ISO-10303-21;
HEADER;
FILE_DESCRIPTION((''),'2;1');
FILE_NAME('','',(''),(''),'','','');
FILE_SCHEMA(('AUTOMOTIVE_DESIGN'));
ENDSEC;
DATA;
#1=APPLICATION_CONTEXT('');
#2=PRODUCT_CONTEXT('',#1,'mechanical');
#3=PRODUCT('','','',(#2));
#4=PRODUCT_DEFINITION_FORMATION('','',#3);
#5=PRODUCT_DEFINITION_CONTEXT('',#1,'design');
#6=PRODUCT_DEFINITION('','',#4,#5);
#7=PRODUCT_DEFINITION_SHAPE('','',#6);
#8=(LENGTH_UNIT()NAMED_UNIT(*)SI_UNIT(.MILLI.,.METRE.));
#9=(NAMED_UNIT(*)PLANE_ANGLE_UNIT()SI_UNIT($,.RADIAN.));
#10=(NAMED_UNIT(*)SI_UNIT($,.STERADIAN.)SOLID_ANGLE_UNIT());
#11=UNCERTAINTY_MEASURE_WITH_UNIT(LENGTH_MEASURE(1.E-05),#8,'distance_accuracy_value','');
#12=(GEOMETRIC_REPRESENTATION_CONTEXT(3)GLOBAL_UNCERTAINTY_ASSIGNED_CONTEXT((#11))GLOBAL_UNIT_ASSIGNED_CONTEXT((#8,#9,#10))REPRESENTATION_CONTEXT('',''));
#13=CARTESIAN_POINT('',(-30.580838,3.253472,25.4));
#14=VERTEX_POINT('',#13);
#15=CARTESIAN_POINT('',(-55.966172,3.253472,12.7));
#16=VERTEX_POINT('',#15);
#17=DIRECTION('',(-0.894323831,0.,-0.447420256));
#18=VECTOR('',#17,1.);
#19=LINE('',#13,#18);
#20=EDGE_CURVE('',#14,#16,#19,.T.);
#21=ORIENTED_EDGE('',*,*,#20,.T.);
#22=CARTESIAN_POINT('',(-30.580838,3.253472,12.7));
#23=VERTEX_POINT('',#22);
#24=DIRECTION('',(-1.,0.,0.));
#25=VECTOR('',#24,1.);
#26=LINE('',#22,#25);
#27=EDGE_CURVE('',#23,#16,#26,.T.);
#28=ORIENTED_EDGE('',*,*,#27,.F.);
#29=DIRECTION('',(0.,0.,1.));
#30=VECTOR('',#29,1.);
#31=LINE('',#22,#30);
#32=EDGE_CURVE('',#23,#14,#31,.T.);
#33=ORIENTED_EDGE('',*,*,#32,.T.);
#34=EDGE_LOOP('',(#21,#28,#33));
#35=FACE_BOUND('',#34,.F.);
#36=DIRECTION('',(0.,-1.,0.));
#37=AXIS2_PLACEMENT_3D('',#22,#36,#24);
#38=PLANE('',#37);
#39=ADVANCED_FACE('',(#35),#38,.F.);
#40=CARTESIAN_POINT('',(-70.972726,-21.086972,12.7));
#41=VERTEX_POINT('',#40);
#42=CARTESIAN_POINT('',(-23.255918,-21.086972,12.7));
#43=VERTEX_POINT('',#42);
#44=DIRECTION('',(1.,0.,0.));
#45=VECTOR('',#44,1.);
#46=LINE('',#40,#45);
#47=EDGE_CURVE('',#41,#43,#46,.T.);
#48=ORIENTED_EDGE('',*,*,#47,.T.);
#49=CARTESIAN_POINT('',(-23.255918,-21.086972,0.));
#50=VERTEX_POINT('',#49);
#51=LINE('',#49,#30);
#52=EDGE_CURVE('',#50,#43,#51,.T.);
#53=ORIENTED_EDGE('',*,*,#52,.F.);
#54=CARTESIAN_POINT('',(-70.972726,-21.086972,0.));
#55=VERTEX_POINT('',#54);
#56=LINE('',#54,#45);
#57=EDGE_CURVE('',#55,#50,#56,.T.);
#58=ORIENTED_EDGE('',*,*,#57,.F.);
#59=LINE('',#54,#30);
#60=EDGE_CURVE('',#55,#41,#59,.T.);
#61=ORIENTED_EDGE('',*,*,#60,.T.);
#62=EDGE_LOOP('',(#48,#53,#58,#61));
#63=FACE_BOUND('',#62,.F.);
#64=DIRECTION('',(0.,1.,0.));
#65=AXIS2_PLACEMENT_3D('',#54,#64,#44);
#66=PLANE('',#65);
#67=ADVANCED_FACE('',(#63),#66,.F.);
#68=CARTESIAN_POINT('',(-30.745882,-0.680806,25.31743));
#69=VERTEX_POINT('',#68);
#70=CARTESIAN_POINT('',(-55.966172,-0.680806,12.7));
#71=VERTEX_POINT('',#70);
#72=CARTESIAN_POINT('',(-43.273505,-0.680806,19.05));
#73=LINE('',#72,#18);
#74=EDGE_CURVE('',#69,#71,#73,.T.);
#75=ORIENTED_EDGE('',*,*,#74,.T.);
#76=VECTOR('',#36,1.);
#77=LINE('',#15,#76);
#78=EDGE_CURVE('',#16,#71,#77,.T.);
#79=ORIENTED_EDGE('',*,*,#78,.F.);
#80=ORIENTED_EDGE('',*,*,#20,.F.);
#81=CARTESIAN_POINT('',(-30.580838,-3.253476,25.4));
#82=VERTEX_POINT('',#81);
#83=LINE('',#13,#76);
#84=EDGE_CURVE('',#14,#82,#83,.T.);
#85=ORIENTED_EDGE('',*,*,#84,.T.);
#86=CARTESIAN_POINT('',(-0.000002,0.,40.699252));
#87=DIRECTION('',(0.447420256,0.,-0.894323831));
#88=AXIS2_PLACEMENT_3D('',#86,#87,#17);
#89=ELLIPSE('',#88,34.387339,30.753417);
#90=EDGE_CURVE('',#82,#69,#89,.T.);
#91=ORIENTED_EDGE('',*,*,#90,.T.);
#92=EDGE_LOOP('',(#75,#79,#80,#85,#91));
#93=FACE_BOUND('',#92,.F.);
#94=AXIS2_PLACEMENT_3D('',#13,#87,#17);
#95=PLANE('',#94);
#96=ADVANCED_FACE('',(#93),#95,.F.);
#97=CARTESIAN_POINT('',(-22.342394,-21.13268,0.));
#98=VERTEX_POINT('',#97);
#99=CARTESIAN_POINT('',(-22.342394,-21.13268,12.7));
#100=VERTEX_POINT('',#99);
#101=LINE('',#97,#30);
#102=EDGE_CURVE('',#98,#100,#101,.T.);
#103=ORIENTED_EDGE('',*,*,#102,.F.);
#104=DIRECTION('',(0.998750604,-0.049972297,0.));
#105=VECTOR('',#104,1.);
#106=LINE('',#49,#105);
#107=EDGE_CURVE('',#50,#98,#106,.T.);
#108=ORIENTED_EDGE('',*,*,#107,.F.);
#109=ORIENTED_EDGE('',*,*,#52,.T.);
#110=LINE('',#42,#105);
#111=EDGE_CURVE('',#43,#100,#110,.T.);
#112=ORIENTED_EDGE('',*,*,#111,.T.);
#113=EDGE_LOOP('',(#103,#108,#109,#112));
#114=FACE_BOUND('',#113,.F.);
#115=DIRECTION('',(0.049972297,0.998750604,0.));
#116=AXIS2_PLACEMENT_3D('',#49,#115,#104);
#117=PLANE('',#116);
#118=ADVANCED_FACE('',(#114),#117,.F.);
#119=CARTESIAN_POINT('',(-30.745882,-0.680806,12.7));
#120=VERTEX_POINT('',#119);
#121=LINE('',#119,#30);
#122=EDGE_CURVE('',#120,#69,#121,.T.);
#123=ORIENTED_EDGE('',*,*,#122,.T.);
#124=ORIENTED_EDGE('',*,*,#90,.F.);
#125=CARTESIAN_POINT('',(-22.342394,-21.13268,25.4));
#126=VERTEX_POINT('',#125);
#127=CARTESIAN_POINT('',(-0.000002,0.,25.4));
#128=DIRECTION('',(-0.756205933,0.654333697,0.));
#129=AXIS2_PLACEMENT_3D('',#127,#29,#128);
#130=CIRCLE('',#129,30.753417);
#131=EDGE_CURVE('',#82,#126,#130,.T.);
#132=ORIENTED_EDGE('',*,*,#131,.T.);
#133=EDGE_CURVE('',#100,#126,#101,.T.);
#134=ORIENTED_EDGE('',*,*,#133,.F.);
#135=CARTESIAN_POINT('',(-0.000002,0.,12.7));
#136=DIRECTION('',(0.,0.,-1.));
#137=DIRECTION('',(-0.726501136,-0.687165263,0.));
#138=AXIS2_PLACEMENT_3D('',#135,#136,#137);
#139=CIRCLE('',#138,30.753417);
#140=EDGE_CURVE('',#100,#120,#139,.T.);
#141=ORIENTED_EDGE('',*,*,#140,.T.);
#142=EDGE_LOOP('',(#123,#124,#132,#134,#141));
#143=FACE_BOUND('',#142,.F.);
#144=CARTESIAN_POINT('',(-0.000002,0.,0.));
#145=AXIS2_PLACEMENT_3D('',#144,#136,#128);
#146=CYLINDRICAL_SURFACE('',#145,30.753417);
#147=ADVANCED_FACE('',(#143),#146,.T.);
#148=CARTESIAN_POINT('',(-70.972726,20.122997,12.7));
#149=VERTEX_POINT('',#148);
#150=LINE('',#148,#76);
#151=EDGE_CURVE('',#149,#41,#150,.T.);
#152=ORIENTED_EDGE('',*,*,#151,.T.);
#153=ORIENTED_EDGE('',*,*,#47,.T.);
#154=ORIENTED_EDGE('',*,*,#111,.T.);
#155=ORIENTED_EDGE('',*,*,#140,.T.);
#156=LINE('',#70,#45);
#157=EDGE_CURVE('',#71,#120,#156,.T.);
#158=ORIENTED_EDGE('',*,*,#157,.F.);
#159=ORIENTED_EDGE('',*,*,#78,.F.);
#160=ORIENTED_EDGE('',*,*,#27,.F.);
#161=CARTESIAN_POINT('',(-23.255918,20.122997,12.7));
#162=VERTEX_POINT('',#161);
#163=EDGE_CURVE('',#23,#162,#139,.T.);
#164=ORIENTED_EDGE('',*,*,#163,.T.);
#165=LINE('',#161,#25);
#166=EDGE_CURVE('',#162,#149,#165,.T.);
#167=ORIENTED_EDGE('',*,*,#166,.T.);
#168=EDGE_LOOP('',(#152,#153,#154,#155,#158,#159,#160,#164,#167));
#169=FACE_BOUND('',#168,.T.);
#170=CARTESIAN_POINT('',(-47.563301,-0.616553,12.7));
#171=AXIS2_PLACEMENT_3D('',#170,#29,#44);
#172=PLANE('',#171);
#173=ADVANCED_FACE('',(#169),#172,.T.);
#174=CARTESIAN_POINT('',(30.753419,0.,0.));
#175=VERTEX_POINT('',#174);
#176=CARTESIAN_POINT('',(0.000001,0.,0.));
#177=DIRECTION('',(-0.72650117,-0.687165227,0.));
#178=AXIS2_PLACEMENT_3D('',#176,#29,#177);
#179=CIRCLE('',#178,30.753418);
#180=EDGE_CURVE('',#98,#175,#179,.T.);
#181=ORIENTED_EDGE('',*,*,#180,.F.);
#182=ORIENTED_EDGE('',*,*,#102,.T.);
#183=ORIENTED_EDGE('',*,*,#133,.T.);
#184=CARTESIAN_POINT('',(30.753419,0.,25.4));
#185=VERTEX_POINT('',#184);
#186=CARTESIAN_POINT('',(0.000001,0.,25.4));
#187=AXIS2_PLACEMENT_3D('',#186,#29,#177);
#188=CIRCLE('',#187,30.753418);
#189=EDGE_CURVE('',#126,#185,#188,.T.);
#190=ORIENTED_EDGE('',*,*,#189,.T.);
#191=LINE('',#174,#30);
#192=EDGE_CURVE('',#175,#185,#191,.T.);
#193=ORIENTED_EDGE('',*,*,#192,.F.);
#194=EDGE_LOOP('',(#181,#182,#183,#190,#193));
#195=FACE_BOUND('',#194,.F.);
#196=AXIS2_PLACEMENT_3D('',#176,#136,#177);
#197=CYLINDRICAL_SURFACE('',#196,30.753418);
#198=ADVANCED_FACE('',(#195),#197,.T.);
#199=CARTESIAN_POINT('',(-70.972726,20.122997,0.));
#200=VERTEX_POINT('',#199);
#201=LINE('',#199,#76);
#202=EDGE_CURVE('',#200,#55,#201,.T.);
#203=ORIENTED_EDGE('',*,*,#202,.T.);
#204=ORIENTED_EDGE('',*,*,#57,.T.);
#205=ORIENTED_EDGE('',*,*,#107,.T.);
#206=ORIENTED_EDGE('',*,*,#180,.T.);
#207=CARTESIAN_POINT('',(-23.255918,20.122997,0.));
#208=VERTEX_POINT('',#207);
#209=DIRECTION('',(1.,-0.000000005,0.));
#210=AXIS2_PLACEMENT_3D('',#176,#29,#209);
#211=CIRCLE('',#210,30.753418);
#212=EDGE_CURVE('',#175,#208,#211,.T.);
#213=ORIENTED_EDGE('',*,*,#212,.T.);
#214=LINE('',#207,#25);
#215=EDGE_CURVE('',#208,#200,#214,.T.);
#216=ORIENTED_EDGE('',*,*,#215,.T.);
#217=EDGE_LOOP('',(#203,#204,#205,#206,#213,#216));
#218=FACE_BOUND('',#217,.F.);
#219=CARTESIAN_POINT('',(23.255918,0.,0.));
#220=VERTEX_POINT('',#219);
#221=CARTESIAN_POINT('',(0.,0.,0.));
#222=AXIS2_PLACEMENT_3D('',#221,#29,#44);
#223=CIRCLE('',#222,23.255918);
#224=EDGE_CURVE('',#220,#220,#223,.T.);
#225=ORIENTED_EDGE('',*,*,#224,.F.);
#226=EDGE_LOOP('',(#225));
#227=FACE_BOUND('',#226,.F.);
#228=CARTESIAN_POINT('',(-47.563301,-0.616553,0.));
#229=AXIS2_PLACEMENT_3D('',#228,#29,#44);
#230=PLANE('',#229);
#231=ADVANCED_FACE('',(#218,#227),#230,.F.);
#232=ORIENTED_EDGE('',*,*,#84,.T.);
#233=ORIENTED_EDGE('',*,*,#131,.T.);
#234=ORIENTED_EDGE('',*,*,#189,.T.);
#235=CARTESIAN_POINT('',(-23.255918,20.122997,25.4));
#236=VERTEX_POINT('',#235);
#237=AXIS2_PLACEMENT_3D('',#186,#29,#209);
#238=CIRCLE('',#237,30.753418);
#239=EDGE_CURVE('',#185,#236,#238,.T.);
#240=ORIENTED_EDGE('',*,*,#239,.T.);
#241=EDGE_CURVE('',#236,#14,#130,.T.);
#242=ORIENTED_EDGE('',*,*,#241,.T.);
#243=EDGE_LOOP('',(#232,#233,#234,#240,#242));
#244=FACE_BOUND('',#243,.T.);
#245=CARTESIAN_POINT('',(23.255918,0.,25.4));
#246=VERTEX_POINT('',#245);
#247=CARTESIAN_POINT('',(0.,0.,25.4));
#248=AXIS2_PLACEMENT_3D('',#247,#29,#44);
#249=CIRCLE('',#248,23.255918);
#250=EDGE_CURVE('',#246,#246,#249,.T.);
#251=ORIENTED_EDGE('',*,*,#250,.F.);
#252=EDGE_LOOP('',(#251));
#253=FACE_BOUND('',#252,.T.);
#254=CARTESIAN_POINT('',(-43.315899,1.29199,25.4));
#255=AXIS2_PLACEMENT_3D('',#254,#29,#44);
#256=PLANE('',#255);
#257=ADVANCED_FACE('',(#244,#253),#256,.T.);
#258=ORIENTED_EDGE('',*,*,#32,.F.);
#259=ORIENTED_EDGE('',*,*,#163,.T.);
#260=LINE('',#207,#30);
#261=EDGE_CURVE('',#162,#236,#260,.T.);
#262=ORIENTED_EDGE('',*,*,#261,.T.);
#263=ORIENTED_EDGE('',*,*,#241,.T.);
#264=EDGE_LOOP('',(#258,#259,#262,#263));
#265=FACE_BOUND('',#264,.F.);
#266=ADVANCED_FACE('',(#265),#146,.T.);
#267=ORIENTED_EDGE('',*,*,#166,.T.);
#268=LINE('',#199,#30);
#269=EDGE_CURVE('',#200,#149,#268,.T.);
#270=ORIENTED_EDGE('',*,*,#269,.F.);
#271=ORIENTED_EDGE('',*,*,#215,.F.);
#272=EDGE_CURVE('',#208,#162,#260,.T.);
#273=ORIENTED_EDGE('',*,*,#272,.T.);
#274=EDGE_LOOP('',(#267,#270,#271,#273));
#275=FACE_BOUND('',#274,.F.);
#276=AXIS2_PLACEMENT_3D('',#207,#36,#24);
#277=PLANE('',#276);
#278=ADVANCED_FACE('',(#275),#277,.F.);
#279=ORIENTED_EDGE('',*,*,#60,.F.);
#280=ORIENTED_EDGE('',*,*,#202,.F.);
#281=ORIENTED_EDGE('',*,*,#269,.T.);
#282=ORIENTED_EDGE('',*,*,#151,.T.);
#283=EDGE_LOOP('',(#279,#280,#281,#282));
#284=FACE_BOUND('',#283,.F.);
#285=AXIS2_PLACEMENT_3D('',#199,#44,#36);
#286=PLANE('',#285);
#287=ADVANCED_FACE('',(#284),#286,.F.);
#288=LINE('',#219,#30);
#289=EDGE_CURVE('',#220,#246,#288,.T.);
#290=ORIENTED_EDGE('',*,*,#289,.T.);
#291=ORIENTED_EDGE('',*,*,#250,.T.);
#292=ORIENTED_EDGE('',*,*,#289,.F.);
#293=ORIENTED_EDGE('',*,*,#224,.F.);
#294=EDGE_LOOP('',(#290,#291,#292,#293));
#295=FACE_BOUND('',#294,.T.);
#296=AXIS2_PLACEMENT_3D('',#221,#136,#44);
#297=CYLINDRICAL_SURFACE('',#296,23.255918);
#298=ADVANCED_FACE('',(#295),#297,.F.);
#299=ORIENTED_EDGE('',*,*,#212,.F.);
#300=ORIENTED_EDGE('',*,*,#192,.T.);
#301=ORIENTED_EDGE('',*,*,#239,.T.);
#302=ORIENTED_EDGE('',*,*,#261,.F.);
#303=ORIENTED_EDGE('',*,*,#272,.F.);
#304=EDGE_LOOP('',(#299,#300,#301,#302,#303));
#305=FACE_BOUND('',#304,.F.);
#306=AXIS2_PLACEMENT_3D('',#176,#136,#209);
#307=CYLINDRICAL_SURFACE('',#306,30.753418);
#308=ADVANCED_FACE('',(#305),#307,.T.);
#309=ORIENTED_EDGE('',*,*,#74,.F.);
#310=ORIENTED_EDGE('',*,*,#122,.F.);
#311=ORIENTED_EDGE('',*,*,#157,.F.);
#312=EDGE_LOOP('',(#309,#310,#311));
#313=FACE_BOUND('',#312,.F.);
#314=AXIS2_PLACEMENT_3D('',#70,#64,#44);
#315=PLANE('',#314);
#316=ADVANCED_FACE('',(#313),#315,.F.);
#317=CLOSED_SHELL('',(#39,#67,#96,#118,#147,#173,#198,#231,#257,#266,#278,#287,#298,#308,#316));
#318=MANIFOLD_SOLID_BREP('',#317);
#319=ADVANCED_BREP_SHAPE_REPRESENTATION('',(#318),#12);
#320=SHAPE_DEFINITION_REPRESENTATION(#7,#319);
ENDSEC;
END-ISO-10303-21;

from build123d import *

# Parameters (mm, degrees)
F0_R     = 23.255918
F1_DEPTH = 25.4
F2_DEPTH = 12.7
F4_DEPTH = 12.7
F6_DEPTH = 25.4


with BuildPart() as f1:
    # F0 (on Top) → F1 (new body)
    with BuildSketch(Plane.XY):
        with BuildLine():
            ThreePointArc((30.753419, 0), (10.737173, 28.818152), (-23.255918, 20.122997))
            ThreePointArc((-23.255918, 20.122997), (-30.745882, -0.680806), (-22.342394, -21.13268))
            ThreePointArc((-22.342394, -21.13268), (11.372505, -28.573395), (30.753419, 0))
        make_face()
        Circle(F0_R, mode=Mode.SUBTRACT)
    extrude(amount=F1_DEPTH)

    # F0 (on Top) → F2 (join)
    with BuildSketch(Plane.XY):
        with BuildLine():
            Line((-23.255918, 20.122997), (-70.972726, 20.122997))
            Line((-70.972726, 20.122997), (-70.972726, -21.086972))
            Line((-70.972726, -21.086972), (-23.255918, -21.086972))
            Line((-23.255918, -21.086972), (-22.342394, -21.13268))
            ThreePointArc((-22.342394, -21.13268), (-30.745882, -0.680806), (-23.255918, 20.122997))
        make_face()
    extrude(amount=F2_DEPTH)

    # F3 (on face) → F4 (join)
    with BuildSketch(Plane.XY.offset(12.7)):
        with BuildLine():
            ThreePointArc((-30.745882, -0.680806), (-30.726394, 1.288977), (-30.580838, 3.253472))
            Line((-30.580838, 3.253472), (-55.966172, 3.253472))
            Line((-55.966172, 3.253472), (-55.966172, -0.680806))
            Line((-55.966172, -0.680806), (-30.745882, -0.680806))
        make_face()
    extrude(amount=F4_DEPTH)

    # F5 (on face) → F6 (cut)
    with BuildSketch(Plane(origin=(0, 3.253472, 0), x_dir=(-1, 0, 0), z_dir=(0, 1, 0))):
        Polygon((55.966172, 25.4), (30.580838, 25.4), (55.966172, 12.7), align=None)
    extrude(amount=-F6_DEPTH, mode=Mode.SUBTRACT)


solid = f1.part
